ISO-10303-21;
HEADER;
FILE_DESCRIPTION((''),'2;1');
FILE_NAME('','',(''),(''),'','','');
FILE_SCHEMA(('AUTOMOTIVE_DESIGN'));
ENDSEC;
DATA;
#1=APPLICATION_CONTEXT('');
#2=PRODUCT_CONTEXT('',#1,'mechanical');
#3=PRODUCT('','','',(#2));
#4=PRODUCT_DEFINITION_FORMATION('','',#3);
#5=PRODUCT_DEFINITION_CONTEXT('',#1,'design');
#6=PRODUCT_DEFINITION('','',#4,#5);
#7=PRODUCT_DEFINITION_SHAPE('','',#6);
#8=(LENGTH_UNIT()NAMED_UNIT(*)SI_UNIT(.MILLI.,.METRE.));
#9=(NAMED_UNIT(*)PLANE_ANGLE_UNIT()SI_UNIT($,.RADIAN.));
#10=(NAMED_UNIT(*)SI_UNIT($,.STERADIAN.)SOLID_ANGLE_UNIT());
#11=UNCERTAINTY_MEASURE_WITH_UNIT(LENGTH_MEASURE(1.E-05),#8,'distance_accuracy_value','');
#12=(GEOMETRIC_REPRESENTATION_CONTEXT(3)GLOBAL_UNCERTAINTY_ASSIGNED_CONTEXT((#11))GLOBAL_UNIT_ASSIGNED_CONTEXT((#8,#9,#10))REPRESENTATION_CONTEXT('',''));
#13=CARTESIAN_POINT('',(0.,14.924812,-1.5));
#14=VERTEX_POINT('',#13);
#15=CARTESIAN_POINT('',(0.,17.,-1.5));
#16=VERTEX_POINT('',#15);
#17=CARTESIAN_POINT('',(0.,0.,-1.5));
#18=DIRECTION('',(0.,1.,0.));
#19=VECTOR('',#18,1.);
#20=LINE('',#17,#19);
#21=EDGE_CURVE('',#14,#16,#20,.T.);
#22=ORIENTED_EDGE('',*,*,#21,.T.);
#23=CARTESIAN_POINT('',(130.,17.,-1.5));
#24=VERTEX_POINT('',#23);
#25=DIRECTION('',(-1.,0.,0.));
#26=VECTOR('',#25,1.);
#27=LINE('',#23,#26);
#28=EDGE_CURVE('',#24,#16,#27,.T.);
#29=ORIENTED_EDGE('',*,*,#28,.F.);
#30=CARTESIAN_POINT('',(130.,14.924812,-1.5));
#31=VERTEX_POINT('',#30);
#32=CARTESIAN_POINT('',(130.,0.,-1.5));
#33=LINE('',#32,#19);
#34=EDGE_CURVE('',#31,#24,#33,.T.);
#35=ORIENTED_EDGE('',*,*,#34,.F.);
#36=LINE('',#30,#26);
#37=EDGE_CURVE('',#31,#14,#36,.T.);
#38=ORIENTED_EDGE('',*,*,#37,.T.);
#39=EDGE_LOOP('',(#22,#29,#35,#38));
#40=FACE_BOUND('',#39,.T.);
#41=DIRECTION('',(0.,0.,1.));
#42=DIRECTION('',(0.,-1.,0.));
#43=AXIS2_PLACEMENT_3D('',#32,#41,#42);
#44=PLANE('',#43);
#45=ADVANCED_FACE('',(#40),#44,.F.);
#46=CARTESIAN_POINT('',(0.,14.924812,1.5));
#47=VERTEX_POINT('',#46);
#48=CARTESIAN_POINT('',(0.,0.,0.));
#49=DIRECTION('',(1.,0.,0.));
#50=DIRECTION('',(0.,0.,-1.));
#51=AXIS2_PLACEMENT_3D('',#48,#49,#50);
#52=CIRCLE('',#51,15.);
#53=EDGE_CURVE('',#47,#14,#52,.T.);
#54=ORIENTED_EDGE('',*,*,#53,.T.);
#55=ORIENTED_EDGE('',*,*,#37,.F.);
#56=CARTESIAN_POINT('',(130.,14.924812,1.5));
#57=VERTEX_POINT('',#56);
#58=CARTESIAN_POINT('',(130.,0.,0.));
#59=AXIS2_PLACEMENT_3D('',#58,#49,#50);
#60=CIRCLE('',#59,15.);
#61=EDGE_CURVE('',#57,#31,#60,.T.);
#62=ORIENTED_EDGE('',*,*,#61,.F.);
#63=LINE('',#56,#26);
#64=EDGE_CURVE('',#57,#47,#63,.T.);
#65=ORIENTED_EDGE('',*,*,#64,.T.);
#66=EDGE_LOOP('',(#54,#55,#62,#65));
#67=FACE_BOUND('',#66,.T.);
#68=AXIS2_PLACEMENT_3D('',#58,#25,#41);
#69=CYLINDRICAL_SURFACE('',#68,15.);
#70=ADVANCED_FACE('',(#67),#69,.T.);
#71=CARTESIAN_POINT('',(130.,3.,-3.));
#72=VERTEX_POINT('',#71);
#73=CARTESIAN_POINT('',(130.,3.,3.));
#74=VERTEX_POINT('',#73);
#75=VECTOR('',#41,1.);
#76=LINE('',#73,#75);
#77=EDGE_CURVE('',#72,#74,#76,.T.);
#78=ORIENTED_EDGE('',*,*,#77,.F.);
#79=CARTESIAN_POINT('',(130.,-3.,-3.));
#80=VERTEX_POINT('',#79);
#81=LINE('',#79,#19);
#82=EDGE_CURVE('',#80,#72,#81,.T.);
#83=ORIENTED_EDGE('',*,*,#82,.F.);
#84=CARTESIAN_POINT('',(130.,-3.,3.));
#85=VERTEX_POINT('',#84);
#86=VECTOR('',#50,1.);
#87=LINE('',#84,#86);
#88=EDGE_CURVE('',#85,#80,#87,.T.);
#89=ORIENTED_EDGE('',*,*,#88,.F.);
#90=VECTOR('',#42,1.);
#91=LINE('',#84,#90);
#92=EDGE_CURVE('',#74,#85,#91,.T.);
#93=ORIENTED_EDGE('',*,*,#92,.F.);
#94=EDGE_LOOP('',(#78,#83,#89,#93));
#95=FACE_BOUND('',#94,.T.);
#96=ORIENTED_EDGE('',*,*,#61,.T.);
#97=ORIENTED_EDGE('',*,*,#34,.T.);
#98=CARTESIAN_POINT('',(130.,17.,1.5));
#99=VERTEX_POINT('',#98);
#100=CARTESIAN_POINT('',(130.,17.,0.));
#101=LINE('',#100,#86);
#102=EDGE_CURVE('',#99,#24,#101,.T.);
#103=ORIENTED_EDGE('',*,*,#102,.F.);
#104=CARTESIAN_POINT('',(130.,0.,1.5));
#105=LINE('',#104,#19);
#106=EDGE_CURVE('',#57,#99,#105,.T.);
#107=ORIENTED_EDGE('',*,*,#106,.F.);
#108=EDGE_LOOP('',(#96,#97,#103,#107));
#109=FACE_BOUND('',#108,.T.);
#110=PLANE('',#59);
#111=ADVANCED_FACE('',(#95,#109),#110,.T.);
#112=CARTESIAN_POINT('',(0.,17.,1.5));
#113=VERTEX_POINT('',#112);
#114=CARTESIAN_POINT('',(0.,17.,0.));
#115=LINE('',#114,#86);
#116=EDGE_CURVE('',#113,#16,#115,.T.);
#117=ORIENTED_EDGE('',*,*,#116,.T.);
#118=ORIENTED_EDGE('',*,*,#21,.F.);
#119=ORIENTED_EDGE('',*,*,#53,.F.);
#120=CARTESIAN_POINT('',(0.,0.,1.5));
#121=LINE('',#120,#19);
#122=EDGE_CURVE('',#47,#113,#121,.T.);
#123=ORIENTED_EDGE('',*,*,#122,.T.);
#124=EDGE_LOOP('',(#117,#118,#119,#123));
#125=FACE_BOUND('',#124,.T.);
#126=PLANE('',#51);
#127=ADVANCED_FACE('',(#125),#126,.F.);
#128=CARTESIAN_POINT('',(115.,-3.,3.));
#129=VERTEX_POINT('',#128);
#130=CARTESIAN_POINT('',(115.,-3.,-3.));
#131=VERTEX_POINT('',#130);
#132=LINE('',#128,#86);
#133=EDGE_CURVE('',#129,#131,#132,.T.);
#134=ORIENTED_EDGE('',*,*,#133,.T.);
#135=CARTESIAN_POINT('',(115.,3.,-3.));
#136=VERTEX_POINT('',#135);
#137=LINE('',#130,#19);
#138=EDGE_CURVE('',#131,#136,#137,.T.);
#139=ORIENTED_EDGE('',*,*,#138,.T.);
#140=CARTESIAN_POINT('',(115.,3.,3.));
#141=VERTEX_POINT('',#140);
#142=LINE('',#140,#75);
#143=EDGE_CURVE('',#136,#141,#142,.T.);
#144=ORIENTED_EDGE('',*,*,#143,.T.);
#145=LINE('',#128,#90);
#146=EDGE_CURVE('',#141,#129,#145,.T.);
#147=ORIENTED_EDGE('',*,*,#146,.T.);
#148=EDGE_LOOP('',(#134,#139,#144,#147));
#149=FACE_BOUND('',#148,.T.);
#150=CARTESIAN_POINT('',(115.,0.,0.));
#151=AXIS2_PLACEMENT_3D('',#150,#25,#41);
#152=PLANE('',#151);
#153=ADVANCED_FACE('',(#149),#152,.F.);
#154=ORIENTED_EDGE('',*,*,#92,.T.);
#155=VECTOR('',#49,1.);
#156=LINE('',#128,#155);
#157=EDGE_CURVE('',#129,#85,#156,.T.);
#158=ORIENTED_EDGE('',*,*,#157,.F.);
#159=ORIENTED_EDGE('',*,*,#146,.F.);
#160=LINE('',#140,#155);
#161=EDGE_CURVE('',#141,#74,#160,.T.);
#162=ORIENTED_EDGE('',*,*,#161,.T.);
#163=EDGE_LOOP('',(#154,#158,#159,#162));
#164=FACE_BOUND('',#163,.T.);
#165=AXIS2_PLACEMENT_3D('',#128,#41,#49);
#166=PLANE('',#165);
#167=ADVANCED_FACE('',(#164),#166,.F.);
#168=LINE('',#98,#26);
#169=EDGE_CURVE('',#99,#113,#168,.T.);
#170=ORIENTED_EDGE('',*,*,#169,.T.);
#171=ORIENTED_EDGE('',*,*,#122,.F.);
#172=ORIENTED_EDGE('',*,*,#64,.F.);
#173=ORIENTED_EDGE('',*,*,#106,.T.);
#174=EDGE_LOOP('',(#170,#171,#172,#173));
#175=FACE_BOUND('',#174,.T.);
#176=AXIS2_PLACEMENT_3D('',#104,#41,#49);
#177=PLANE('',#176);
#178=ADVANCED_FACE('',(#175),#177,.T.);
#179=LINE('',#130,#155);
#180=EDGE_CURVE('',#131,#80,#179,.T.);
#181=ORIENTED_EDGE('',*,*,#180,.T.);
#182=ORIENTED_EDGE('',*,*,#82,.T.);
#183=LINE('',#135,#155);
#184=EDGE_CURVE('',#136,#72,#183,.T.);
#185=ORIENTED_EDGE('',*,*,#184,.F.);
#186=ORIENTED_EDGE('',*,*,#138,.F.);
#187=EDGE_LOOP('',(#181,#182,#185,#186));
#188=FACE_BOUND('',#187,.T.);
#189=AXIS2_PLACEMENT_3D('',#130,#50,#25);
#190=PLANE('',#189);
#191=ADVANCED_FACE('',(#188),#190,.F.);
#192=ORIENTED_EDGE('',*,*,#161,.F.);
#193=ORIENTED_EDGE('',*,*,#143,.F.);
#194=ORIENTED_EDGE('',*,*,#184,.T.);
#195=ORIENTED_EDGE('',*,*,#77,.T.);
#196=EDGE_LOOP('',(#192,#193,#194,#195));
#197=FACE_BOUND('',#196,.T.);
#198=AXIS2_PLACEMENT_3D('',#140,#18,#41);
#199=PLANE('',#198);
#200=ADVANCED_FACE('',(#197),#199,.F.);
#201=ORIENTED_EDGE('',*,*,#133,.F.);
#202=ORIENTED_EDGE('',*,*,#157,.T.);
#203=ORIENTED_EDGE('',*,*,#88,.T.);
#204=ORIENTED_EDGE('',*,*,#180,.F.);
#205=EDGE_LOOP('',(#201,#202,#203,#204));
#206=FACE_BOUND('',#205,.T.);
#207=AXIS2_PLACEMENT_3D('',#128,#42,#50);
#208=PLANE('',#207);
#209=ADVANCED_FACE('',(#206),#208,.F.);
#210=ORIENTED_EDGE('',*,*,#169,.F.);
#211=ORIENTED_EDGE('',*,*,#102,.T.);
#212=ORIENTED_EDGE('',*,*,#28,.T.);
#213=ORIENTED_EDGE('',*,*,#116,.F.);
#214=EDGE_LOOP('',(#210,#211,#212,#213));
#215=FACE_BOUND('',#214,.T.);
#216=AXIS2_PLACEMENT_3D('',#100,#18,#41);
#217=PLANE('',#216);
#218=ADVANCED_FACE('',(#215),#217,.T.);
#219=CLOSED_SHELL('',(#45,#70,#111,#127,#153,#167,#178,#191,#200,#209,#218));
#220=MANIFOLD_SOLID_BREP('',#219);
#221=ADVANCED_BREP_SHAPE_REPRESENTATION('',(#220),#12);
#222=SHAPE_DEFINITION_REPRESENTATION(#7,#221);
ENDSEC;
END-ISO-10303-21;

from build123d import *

# Parameters (mm, degrees)
EXTRUDE_1_DEPTH     = 130
SKETCH_2_W          = 6
SKETCH_2_H          = 6
CUT_EXTRUDE_1_DEPTH = 15


with BuildPart() as part:
    # 草图1 → 凸台-拉伸1 (new body)
    with BuildSketch(Plane(origin=(0, 0, 0), x_dir=(0, 0, -1), z_dir=(1, 0, 0))):
        with BuildLine():
            Line((-1.5, 14.924811557), (-1.5, 0))
            Line((-1.5, 0), (1.5, 0))
            Line((1.5, 0), (1.5, 14.924811557))
            ThreePointArc((1.5, 14.924811557), (0, 15), (-1.5, 14.924811557))
        make_face()
        with BuildLine():
            Line((1.5, 0), (-1.5, 0))
            Line((-1.5, 0), (-1.5, 14.924811557))
            ThreePointArc((-1.5, 14.924811557), (-10.062305899, -11.124297731), (15, 0))
            ThreePointArc((15, 0), (11.124297731, 10.062305899), (1.5, 14.924811557))
            Line((1.5, 14.924811557), (1.5, 0))
        make_face()
        with BuildLine():
            Line((-1.5, 17), (-1.5, 14.924811557))
            ThreePointArc((-1.5, 14.924811557), (0, 15), (1.5, 14.924811557))
            Line((1.5, 14.924811557), (1.5, 17))
            Line((1.5, 17), (-1.5, 17))
        make_face()
    extrude(amount=EXTRUDE_1_DEPTH)

    # 草图2 → 切除-拉伸1 (cut)
    with BuildSketch(Plane(origin=(130, 0, 0), x_dir=(0, 0, -1), z_dir=(1, 0, 0))):
        Rectangle(SKETCH_2_W, SKETCH_2_H)
    extrude(amount=-CUT_EXTRUDE_1_DEPTH, mode=Mode.SUBTRACT)


solid = part.part
